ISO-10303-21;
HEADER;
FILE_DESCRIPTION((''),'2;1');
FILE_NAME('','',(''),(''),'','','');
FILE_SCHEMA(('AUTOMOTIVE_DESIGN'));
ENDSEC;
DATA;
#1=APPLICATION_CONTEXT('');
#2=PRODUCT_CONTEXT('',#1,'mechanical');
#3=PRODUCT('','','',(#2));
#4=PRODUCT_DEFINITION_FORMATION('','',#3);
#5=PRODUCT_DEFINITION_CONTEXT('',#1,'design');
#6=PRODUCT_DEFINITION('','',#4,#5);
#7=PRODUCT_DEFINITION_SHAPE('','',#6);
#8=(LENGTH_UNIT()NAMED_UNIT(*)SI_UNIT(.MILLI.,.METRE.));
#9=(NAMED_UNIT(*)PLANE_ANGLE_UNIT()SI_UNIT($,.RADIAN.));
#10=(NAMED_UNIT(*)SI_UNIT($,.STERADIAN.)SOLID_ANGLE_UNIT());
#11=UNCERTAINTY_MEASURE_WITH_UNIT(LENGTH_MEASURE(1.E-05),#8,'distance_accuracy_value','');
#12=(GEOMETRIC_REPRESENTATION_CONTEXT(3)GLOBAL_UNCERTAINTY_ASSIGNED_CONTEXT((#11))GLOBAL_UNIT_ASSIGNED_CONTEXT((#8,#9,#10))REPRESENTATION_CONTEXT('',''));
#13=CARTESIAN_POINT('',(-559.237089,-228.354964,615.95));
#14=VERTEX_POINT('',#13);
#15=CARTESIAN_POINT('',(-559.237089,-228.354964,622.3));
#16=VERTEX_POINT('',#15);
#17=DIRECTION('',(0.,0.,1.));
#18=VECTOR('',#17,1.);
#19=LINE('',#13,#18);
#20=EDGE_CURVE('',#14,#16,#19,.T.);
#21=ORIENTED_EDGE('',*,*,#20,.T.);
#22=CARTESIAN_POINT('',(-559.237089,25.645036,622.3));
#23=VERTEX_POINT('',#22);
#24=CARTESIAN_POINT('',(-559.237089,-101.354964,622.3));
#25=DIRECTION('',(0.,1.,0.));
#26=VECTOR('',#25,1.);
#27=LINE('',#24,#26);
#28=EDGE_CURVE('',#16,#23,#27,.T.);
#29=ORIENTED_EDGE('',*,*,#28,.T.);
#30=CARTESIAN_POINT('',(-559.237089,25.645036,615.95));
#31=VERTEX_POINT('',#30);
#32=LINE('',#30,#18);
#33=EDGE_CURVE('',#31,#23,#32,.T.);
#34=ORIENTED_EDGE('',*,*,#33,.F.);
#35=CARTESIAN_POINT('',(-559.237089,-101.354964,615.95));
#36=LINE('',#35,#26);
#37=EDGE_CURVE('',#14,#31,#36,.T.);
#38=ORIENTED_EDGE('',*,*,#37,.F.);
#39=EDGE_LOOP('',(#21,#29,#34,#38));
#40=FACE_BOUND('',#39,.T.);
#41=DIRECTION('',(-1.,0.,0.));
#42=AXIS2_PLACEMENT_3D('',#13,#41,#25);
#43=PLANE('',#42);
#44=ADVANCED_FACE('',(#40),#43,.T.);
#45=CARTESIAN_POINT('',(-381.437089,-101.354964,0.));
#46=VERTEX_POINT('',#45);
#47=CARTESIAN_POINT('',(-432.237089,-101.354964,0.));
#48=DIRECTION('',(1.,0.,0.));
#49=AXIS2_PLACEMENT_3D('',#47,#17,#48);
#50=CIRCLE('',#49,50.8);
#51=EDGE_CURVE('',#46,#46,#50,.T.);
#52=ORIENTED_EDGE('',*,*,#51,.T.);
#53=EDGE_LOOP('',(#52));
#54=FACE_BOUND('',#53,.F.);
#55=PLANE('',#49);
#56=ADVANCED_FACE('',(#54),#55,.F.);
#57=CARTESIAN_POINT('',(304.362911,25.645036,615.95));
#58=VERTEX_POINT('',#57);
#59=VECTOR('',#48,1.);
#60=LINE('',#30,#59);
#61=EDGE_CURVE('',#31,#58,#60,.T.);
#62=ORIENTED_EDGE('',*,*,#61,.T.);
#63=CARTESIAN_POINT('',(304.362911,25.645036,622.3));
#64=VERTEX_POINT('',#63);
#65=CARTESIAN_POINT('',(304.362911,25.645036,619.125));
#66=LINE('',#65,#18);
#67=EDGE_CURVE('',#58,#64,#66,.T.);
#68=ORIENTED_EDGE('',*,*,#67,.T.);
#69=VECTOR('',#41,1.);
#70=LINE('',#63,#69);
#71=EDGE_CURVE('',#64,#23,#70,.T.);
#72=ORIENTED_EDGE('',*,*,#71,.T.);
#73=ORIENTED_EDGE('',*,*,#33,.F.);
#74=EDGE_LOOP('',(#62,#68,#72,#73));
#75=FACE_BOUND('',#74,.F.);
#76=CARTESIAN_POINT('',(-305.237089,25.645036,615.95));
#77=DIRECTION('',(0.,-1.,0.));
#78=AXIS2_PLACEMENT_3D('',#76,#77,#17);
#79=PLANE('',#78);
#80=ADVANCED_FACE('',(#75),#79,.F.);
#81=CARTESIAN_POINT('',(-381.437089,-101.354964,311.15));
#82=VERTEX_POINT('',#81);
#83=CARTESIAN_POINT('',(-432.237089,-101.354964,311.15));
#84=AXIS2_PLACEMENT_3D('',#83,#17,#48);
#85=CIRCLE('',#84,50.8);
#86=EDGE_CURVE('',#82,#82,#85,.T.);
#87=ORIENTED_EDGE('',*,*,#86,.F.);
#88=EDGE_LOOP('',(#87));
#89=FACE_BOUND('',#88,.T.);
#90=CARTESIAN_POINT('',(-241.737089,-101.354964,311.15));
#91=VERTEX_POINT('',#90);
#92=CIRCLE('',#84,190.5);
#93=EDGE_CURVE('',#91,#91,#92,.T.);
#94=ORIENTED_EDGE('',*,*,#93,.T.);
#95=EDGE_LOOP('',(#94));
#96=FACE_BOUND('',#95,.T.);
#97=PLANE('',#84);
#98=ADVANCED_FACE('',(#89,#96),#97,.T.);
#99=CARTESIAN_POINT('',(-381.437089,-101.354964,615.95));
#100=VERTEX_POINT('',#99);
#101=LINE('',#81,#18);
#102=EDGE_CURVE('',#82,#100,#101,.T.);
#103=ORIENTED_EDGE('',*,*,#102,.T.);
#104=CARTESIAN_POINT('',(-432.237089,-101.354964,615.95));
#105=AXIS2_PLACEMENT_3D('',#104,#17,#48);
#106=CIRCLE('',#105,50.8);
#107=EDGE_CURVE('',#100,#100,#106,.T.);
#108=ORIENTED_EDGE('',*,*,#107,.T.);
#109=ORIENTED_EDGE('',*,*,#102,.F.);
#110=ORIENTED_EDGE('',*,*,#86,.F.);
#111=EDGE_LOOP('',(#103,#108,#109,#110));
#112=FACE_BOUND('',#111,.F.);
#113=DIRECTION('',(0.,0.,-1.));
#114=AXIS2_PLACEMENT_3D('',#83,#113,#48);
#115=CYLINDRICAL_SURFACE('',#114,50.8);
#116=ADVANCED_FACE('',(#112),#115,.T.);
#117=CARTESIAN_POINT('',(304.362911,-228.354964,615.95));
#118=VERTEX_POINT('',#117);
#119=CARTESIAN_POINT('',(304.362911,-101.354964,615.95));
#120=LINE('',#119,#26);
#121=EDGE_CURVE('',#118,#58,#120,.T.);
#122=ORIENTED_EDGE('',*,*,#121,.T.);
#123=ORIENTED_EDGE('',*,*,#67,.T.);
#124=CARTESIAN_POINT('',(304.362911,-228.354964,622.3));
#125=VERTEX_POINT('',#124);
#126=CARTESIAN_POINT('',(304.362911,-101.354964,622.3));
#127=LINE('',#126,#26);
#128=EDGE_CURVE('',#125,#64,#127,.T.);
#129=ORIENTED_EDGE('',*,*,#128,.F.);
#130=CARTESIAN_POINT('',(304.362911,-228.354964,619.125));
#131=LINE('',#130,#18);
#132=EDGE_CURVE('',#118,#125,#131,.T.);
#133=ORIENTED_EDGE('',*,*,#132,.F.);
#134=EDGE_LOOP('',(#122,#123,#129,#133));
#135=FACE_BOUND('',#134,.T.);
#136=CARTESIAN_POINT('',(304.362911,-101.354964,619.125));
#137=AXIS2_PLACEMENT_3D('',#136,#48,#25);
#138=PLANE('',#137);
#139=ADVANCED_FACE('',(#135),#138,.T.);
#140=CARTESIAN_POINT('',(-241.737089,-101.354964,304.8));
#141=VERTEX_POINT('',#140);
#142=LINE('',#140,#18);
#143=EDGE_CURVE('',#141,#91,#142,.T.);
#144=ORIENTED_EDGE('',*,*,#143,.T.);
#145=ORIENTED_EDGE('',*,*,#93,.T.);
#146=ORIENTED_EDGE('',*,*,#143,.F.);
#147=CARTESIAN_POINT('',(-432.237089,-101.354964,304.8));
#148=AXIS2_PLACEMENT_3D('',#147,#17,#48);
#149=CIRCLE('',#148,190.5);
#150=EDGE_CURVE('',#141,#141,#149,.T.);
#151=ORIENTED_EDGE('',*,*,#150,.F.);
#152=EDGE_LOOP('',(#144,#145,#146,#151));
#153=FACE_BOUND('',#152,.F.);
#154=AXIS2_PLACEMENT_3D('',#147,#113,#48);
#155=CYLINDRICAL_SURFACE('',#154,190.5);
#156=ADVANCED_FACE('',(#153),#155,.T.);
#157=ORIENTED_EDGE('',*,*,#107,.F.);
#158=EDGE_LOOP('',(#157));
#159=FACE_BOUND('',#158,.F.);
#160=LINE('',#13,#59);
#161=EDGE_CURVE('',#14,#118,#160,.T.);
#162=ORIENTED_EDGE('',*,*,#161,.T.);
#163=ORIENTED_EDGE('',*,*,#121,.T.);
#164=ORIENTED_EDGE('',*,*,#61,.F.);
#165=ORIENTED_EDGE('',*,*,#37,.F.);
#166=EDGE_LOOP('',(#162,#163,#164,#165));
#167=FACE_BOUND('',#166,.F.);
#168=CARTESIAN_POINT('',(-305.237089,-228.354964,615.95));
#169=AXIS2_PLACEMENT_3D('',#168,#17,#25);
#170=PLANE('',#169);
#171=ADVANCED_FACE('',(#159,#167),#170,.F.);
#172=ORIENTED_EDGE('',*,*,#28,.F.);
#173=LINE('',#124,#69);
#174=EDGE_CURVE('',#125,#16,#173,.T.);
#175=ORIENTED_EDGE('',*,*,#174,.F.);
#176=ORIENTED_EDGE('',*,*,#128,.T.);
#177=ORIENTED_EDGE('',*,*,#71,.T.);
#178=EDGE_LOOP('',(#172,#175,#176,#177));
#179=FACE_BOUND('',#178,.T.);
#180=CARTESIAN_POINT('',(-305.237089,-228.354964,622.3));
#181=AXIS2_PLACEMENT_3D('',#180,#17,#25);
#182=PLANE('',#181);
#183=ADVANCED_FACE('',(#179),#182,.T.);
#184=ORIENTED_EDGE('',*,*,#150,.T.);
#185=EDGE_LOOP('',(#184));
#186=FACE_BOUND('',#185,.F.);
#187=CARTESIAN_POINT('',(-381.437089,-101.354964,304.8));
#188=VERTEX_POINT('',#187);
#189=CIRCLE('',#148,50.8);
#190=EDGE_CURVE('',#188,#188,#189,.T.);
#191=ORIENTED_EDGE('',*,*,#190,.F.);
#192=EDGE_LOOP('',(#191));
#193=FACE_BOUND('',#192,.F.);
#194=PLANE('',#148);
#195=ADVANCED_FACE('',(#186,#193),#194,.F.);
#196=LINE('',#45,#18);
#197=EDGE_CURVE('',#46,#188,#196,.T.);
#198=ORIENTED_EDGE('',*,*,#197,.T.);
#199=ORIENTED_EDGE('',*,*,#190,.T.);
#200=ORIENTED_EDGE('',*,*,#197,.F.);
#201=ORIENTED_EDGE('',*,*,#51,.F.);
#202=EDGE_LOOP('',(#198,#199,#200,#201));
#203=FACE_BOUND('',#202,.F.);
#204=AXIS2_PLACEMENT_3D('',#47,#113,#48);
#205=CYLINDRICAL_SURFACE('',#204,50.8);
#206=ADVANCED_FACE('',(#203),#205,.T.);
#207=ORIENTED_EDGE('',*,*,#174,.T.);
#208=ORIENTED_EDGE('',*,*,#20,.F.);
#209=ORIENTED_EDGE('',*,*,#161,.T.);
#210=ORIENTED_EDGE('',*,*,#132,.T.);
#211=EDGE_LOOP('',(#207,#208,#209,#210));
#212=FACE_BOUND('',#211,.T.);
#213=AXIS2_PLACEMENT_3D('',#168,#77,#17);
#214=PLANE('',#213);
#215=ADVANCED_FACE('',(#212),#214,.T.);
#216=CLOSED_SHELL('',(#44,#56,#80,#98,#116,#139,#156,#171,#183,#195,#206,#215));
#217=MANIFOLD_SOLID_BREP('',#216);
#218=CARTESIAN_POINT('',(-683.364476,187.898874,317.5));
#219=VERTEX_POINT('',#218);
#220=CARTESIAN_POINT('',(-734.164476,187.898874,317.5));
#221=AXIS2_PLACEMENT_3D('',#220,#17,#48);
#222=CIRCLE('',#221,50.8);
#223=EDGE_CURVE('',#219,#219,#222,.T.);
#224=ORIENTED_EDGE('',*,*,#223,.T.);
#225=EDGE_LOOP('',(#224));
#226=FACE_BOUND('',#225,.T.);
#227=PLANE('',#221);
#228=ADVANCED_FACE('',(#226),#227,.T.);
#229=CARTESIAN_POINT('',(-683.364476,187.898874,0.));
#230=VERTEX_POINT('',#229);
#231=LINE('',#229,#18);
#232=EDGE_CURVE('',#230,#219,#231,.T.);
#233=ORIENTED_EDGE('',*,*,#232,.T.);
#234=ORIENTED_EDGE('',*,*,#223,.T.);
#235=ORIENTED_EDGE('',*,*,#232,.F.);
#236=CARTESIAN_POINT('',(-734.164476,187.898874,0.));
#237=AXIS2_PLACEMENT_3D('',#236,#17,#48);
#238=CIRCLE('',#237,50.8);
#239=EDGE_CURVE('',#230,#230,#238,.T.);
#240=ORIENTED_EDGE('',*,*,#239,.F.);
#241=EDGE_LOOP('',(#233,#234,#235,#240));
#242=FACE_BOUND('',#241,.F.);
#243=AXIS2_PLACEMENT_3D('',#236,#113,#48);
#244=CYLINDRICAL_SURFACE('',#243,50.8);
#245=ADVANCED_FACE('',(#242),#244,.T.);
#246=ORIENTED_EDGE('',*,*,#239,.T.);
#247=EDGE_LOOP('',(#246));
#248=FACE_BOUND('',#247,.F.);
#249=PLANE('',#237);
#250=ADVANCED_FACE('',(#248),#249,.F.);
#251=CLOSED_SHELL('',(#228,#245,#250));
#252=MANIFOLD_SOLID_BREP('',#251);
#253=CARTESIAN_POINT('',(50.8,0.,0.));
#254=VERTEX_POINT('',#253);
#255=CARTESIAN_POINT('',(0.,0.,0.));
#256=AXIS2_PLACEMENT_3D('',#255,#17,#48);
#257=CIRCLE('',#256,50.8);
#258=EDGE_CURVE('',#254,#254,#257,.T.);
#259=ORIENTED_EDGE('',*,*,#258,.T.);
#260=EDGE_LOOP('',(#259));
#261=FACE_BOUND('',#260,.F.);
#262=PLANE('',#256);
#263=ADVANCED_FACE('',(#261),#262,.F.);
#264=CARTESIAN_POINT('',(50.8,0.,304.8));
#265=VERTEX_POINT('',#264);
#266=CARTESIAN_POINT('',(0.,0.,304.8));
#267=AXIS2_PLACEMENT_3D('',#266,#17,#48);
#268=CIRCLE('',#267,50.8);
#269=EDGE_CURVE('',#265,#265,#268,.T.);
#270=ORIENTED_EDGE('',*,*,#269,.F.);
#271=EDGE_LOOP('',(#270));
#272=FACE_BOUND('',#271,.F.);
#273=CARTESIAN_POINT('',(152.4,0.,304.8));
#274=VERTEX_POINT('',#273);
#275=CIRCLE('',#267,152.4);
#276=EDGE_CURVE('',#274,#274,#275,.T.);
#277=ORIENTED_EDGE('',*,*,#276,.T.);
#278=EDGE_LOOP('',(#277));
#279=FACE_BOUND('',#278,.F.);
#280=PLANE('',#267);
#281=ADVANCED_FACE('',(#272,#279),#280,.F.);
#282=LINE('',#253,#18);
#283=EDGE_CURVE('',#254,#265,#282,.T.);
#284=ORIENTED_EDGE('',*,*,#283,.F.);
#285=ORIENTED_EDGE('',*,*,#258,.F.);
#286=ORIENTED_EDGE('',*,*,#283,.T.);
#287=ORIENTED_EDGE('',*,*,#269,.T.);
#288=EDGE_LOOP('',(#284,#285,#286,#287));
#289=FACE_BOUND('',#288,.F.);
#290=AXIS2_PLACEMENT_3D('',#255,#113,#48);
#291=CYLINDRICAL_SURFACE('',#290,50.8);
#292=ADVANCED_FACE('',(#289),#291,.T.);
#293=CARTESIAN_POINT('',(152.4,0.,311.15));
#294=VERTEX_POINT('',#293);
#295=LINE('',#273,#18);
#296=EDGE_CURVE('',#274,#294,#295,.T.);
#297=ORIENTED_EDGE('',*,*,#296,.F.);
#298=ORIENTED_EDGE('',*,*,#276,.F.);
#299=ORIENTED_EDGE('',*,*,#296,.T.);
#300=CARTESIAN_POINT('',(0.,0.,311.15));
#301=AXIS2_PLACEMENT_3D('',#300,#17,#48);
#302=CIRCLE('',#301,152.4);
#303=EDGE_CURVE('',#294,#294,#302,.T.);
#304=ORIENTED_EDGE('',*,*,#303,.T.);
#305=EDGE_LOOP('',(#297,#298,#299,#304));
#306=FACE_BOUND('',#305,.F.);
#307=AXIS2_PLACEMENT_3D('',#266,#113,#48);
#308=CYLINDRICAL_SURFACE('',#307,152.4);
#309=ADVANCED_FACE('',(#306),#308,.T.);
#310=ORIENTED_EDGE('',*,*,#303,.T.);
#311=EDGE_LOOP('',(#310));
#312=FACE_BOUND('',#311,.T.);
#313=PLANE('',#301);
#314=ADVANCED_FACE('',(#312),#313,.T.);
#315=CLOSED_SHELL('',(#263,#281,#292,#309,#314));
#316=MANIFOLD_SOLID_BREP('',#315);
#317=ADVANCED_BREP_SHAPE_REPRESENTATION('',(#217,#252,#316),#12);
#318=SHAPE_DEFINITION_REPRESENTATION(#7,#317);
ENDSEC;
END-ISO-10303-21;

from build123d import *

# Parameters (mm, degrees)
F0_R      = 50.8
F1_DEPTH  = 304.8
F2_R      = 152.4
F3_DEPTH  = 6.35
F4_R      = 50.8
F5_DEPTH  = 304.8
F6_R      = 190.5
F7_DEPTH  = 6.35
F8_R      = 50.8
F9_DEPTH  = 304.8
F10_W     = 254
F10_H     = 254
F11_DEPTH = 6.35
F12_W     = 254
F12_H     = 6.35
F13_DEPTH = 609.6
F14_R     = 50.8
F15_DEPTH = 317.5


with BuildPart() as f1:
    # F0 (on Top) → F1 (new body)
    with BuildSketch(Plane.XY):
        Circle(F0_R)
    extrude(amount=F1_DEPTH)

    # F2 (on face) → F3 (join)
    with BuildSketch(Plane.XY.offset(304.8)):
        Circle(F2_R)
    extrude(amount=F3_DEPTH)


with BuildPart() as f5:
    # F4 (on Top) → F5 (new body)
    with BuildSketch(Plane.XY):
        with Locations((-432.2370886803, -101.3549640775)):
            Circle(F4_R)
    extrude(amount=F5_DEPTH)

    # F6 (on face) → F7 (join)
    with BuildSketch(Plane.XY.offset(304.8)):
        with Locations((-432.2370886803, -101.3549640775)):
            Circle(F6_R)
    extrude(amount=F7_DEPTH)

    # F8 (on face) → F9 (join)
    with BuildSketch(Plane.XY.offset(311.15)):
        with Locations((-432.2370886803, -101.3549640775)):
            Circle(F8_R)
    extrude(amount=F9_DEPTH)

    # F10 (on face) → F11 (join)
    with BuildSketch(Plane.XY.offset(615.95)):
        with Locations((-432.2370886803, -101.3549640775)):
            Rectangle(F10_W, F10_H)
    extrude(amount=F11_DEPTH)

    # F12 (on face) → F13 (join)
    with BuildSketch(Plane.YZ.offset(-305.2370886803)):
        with Locations((-101.3549640775, 619.125)):
            Rectangle(F12_W, F12_H)
    extrude(amount=F13_DEPTH)


with BuildPart() as f15:
    # F14 (on Top) → F15 (new body)
    with BuildSketch(Plane.XY):
        with Locations((-734.1644763947, 187.8988742828)):
            Circle(F14_R)
    extrude(amount=F15_DEPTH)


solid = Compound([f1.part, f5.part, f15.part])
